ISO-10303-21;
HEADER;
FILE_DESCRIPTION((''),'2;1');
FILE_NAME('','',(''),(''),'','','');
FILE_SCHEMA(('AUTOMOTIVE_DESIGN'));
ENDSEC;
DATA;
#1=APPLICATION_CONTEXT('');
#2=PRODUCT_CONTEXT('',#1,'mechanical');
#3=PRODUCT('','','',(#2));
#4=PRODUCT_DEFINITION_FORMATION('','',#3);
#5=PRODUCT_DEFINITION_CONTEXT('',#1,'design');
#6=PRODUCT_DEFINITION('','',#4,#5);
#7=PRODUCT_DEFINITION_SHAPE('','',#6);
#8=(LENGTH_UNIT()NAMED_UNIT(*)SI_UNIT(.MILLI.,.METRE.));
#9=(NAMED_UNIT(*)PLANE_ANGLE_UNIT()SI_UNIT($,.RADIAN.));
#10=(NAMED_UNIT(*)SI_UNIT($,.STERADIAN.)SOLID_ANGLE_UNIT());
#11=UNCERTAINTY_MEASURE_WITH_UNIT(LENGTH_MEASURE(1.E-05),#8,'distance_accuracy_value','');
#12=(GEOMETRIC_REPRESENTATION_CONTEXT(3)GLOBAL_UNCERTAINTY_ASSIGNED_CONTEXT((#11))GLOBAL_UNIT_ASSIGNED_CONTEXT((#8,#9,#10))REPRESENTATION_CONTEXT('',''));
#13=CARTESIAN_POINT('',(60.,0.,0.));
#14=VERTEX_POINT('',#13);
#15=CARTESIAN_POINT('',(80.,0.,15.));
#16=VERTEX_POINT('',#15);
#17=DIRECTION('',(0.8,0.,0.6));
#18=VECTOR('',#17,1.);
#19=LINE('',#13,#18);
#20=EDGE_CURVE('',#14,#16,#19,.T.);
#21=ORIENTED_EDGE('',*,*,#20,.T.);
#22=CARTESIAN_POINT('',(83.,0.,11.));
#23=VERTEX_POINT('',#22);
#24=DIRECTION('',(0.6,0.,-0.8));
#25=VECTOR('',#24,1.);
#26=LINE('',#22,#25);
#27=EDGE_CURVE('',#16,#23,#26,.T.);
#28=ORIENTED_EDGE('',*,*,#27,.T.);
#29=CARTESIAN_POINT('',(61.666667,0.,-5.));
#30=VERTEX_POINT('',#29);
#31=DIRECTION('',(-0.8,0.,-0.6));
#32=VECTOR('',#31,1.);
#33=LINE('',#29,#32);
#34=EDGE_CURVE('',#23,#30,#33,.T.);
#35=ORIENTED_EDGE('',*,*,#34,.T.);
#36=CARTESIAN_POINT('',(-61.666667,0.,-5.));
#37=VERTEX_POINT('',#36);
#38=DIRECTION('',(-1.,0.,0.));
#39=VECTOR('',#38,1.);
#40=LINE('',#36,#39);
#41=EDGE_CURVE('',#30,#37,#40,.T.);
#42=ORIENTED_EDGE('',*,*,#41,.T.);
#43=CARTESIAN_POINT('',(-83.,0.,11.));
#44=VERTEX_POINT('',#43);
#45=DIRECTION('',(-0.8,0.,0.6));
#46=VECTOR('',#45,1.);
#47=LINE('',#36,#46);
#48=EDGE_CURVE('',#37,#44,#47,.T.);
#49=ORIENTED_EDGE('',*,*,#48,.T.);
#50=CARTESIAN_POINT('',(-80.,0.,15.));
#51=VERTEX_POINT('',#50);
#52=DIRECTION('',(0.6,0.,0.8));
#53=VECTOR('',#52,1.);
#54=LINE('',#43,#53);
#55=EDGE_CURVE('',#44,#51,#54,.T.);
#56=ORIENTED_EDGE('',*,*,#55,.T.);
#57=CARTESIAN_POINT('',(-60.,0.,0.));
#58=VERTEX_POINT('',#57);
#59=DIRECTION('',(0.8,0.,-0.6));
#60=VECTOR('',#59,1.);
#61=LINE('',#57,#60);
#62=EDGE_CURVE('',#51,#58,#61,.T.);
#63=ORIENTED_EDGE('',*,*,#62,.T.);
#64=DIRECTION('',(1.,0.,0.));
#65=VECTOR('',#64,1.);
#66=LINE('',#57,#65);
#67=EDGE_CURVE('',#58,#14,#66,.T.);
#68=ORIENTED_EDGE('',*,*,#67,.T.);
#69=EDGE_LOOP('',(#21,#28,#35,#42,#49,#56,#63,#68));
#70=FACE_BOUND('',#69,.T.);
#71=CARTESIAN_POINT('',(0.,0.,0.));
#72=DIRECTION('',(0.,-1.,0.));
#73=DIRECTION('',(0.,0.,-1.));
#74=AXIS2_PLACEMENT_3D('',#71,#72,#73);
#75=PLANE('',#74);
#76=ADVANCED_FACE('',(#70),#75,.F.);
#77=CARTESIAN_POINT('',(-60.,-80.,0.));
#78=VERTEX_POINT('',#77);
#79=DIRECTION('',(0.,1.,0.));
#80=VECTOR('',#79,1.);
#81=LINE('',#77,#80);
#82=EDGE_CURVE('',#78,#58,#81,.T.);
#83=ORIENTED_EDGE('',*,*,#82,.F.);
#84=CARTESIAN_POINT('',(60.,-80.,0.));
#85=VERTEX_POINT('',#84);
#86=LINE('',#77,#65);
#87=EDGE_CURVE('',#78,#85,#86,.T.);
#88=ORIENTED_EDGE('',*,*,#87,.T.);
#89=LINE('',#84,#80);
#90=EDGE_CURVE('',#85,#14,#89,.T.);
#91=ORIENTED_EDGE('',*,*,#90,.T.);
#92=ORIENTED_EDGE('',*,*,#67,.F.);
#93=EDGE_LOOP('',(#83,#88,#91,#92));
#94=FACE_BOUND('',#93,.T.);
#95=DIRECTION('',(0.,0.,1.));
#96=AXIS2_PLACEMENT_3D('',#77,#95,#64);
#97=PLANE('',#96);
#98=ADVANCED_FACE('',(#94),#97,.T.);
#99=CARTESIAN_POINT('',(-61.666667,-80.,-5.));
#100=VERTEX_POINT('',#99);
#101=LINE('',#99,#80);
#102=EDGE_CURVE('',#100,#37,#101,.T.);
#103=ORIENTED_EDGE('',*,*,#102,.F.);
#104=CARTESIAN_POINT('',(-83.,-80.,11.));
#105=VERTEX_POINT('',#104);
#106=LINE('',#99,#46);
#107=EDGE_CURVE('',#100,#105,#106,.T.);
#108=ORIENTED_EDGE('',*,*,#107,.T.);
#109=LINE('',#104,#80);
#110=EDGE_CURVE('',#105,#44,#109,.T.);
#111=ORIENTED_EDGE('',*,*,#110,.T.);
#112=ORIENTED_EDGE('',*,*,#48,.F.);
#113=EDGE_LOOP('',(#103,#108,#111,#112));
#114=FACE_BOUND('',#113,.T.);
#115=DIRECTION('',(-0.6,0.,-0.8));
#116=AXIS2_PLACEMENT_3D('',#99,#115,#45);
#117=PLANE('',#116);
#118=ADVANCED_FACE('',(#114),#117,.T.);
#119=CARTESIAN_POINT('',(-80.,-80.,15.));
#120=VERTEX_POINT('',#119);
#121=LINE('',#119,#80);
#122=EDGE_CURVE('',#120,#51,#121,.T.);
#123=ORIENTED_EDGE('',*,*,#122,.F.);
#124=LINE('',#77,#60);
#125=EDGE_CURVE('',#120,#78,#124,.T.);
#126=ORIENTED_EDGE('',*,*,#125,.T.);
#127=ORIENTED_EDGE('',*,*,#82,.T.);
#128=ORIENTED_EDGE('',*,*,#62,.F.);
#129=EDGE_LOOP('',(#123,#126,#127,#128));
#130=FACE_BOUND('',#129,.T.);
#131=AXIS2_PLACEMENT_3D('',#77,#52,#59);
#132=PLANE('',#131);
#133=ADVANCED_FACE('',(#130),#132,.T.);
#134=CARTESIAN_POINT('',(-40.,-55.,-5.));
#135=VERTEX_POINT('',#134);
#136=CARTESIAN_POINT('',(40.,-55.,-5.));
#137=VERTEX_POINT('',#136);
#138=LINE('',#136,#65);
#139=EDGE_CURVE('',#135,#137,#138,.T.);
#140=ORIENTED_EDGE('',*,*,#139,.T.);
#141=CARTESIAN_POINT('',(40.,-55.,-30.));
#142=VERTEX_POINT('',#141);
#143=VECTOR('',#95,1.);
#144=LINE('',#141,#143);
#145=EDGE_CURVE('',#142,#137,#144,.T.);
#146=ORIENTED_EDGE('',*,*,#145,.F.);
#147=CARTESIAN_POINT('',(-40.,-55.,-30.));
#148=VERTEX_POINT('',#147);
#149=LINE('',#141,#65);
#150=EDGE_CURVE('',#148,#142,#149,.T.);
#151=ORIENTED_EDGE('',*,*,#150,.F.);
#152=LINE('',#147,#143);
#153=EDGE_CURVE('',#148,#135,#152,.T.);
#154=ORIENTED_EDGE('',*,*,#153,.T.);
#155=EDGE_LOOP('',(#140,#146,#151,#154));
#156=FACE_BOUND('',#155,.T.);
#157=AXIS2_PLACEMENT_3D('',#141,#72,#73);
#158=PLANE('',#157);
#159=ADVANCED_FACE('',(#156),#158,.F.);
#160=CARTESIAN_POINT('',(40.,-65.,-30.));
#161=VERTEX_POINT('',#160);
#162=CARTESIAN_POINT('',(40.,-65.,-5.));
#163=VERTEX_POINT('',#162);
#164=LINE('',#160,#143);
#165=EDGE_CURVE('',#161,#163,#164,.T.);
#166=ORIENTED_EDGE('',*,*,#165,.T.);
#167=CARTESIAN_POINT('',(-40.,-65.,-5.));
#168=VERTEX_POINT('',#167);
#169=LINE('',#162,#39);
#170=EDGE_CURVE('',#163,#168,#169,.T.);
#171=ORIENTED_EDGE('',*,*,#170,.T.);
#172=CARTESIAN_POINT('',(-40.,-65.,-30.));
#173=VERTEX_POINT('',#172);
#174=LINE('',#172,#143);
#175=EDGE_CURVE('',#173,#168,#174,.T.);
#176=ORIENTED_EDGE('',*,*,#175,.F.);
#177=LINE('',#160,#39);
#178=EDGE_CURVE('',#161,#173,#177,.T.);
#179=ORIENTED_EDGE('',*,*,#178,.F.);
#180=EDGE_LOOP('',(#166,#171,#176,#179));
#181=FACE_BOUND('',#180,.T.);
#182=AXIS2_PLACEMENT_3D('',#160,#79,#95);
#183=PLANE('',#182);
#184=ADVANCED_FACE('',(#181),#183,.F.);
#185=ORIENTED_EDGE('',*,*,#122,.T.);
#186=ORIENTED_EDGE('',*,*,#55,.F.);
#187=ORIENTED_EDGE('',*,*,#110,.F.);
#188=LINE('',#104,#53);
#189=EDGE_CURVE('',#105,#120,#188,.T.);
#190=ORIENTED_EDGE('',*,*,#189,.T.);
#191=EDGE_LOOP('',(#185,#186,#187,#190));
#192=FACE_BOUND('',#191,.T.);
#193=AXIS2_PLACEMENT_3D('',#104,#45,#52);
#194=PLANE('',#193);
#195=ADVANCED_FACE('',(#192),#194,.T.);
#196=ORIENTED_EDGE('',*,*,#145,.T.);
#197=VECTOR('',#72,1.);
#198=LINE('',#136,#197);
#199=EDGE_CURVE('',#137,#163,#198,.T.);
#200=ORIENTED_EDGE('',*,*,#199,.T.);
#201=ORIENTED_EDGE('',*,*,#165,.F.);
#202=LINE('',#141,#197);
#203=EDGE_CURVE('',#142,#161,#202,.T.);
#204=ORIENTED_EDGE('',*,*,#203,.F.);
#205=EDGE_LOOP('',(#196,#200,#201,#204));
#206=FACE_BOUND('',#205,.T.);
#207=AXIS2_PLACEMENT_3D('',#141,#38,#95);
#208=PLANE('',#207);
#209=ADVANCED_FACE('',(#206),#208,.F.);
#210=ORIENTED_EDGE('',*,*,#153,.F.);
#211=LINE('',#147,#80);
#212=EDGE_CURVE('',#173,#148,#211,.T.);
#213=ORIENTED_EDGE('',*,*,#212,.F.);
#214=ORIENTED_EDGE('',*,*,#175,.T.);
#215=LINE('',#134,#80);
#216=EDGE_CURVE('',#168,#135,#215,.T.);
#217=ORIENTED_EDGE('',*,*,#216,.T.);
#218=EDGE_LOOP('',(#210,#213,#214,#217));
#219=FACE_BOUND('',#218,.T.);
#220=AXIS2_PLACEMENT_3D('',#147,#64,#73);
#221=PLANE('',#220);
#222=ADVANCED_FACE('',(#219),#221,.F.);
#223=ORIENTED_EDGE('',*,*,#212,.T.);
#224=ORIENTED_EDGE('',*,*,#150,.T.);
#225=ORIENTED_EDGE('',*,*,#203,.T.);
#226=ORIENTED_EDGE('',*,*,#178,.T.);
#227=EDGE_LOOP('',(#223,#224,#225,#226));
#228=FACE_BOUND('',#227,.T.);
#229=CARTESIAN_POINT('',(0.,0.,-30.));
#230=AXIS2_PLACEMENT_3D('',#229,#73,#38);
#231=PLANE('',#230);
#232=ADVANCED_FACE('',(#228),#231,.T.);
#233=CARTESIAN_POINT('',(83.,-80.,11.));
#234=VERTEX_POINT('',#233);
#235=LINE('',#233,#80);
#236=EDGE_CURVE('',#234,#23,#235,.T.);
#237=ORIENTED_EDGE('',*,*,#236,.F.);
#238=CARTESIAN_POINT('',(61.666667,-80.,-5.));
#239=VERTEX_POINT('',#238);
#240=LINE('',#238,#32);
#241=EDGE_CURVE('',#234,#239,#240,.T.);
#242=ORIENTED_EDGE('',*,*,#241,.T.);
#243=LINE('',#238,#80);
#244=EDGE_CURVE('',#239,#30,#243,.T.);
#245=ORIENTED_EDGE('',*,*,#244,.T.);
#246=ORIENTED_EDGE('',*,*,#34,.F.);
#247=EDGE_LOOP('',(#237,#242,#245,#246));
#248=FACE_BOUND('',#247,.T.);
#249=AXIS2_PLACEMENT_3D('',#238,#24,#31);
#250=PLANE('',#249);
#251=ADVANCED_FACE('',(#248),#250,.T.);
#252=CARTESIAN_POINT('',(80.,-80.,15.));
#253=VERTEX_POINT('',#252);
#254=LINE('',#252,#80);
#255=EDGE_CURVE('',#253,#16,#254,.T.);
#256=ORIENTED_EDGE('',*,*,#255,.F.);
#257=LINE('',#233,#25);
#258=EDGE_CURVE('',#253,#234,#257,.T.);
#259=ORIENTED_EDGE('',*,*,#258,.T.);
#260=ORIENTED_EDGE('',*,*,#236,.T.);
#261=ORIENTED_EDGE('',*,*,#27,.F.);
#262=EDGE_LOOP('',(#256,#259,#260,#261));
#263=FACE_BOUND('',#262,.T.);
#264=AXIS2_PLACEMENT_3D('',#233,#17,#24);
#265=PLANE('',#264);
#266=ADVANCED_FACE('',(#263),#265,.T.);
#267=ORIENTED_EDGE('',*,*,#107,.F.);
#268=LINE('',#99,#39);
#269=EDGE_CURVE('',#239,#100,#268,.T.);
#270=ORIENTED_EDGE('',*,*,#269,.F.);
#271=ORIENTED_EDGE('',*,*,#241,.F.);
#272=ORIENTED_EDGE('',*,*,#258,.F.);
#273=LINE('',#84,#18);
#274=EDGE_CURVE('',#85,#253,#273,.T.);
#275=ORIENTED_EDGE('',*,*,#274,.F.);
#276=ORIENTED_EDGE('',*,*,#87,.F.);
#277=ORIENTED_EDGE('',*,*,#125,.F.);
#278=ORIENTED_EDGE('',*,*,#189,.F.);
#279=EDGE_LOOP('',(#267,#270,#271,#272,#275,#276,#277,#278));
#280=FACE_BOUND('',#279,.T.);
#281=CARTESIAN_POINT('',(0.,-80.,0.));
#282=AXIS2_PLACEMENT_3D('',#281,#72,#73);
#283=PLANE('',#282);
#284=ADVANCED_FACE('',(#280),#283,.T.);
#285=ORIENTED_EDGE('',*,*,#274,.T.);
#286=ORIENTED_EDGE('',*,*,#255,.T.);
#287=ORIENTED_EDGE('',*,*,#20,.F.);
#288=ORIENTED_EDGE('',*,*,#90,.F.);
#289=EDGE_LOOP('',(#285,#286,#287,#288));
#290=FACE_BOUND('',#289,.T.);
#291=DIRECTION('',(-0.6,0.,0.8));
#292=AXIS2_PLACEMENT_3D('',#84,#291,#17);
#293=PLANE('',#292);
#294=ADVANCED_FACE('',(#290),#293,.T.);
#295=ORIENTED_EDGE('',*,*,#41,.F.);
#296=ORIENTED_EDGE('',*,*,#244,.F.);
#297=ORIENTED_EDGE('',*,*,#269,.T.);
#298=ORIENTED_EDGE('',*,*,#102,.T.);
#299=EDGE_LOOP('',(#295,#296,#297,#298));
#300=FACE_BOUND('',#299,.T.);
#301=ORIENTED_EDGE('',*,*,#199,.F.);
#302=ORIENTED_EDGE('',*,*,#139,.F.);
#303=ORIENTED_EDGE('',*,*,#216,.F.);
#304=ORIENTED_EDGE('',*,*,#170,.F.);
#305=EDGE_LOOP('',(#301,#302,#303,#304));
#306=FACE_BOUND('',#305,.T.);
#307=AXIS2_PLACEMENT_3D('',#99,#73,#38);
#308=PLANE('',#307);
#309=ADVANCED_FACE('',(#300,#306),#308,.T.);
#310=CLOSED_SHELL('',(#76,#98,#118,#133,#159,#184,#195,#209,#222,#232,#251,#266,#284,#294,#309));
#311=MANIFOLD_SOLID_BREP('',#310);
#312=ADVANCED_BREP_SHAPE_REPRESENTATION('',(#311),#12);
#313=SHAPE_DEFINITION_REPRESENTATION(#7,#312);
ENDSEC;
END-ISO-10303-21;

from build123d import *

# Parameters (mm, degrees)
BOSS_EXTRUDE1_DEPTH = 80
SKETCH2_W           = 80
SKETCH2_H           = 10
BOSS_EXTRUDE2_DEPTH = 25


with BuildPart() as part:
    # Sketch1 → Boss-Extrude1 (new body)
    with BuildSketch(Plane(origin=(0, 0, 0), x_dir=(1, 0, 0), z_dir=(0, 1, 0))):
        Polygon((-60, 0), (60, 0), (80, -15), (83, -11), (61.666666667, 5), (-61.666666667, 5), (-83, -11), (-80, -15), align=None)
    extrude(amount=-BOSS_EXTRUDE1_DEPTH)

    # Sketch2 → Boss-Extrude2 (add)
    with BuildSketch(Plane(origin=(0, 0, -5), x_dir=(-1, 0, 0), z_dir=(0, 0, -1))):
        with Locations((0, -60)):
            Rectangle(SKETCH2_W, SKETCH2_H)
    extrude(amount=BOSS_EXTRUDE2_DEPTH)


solid = part.part
